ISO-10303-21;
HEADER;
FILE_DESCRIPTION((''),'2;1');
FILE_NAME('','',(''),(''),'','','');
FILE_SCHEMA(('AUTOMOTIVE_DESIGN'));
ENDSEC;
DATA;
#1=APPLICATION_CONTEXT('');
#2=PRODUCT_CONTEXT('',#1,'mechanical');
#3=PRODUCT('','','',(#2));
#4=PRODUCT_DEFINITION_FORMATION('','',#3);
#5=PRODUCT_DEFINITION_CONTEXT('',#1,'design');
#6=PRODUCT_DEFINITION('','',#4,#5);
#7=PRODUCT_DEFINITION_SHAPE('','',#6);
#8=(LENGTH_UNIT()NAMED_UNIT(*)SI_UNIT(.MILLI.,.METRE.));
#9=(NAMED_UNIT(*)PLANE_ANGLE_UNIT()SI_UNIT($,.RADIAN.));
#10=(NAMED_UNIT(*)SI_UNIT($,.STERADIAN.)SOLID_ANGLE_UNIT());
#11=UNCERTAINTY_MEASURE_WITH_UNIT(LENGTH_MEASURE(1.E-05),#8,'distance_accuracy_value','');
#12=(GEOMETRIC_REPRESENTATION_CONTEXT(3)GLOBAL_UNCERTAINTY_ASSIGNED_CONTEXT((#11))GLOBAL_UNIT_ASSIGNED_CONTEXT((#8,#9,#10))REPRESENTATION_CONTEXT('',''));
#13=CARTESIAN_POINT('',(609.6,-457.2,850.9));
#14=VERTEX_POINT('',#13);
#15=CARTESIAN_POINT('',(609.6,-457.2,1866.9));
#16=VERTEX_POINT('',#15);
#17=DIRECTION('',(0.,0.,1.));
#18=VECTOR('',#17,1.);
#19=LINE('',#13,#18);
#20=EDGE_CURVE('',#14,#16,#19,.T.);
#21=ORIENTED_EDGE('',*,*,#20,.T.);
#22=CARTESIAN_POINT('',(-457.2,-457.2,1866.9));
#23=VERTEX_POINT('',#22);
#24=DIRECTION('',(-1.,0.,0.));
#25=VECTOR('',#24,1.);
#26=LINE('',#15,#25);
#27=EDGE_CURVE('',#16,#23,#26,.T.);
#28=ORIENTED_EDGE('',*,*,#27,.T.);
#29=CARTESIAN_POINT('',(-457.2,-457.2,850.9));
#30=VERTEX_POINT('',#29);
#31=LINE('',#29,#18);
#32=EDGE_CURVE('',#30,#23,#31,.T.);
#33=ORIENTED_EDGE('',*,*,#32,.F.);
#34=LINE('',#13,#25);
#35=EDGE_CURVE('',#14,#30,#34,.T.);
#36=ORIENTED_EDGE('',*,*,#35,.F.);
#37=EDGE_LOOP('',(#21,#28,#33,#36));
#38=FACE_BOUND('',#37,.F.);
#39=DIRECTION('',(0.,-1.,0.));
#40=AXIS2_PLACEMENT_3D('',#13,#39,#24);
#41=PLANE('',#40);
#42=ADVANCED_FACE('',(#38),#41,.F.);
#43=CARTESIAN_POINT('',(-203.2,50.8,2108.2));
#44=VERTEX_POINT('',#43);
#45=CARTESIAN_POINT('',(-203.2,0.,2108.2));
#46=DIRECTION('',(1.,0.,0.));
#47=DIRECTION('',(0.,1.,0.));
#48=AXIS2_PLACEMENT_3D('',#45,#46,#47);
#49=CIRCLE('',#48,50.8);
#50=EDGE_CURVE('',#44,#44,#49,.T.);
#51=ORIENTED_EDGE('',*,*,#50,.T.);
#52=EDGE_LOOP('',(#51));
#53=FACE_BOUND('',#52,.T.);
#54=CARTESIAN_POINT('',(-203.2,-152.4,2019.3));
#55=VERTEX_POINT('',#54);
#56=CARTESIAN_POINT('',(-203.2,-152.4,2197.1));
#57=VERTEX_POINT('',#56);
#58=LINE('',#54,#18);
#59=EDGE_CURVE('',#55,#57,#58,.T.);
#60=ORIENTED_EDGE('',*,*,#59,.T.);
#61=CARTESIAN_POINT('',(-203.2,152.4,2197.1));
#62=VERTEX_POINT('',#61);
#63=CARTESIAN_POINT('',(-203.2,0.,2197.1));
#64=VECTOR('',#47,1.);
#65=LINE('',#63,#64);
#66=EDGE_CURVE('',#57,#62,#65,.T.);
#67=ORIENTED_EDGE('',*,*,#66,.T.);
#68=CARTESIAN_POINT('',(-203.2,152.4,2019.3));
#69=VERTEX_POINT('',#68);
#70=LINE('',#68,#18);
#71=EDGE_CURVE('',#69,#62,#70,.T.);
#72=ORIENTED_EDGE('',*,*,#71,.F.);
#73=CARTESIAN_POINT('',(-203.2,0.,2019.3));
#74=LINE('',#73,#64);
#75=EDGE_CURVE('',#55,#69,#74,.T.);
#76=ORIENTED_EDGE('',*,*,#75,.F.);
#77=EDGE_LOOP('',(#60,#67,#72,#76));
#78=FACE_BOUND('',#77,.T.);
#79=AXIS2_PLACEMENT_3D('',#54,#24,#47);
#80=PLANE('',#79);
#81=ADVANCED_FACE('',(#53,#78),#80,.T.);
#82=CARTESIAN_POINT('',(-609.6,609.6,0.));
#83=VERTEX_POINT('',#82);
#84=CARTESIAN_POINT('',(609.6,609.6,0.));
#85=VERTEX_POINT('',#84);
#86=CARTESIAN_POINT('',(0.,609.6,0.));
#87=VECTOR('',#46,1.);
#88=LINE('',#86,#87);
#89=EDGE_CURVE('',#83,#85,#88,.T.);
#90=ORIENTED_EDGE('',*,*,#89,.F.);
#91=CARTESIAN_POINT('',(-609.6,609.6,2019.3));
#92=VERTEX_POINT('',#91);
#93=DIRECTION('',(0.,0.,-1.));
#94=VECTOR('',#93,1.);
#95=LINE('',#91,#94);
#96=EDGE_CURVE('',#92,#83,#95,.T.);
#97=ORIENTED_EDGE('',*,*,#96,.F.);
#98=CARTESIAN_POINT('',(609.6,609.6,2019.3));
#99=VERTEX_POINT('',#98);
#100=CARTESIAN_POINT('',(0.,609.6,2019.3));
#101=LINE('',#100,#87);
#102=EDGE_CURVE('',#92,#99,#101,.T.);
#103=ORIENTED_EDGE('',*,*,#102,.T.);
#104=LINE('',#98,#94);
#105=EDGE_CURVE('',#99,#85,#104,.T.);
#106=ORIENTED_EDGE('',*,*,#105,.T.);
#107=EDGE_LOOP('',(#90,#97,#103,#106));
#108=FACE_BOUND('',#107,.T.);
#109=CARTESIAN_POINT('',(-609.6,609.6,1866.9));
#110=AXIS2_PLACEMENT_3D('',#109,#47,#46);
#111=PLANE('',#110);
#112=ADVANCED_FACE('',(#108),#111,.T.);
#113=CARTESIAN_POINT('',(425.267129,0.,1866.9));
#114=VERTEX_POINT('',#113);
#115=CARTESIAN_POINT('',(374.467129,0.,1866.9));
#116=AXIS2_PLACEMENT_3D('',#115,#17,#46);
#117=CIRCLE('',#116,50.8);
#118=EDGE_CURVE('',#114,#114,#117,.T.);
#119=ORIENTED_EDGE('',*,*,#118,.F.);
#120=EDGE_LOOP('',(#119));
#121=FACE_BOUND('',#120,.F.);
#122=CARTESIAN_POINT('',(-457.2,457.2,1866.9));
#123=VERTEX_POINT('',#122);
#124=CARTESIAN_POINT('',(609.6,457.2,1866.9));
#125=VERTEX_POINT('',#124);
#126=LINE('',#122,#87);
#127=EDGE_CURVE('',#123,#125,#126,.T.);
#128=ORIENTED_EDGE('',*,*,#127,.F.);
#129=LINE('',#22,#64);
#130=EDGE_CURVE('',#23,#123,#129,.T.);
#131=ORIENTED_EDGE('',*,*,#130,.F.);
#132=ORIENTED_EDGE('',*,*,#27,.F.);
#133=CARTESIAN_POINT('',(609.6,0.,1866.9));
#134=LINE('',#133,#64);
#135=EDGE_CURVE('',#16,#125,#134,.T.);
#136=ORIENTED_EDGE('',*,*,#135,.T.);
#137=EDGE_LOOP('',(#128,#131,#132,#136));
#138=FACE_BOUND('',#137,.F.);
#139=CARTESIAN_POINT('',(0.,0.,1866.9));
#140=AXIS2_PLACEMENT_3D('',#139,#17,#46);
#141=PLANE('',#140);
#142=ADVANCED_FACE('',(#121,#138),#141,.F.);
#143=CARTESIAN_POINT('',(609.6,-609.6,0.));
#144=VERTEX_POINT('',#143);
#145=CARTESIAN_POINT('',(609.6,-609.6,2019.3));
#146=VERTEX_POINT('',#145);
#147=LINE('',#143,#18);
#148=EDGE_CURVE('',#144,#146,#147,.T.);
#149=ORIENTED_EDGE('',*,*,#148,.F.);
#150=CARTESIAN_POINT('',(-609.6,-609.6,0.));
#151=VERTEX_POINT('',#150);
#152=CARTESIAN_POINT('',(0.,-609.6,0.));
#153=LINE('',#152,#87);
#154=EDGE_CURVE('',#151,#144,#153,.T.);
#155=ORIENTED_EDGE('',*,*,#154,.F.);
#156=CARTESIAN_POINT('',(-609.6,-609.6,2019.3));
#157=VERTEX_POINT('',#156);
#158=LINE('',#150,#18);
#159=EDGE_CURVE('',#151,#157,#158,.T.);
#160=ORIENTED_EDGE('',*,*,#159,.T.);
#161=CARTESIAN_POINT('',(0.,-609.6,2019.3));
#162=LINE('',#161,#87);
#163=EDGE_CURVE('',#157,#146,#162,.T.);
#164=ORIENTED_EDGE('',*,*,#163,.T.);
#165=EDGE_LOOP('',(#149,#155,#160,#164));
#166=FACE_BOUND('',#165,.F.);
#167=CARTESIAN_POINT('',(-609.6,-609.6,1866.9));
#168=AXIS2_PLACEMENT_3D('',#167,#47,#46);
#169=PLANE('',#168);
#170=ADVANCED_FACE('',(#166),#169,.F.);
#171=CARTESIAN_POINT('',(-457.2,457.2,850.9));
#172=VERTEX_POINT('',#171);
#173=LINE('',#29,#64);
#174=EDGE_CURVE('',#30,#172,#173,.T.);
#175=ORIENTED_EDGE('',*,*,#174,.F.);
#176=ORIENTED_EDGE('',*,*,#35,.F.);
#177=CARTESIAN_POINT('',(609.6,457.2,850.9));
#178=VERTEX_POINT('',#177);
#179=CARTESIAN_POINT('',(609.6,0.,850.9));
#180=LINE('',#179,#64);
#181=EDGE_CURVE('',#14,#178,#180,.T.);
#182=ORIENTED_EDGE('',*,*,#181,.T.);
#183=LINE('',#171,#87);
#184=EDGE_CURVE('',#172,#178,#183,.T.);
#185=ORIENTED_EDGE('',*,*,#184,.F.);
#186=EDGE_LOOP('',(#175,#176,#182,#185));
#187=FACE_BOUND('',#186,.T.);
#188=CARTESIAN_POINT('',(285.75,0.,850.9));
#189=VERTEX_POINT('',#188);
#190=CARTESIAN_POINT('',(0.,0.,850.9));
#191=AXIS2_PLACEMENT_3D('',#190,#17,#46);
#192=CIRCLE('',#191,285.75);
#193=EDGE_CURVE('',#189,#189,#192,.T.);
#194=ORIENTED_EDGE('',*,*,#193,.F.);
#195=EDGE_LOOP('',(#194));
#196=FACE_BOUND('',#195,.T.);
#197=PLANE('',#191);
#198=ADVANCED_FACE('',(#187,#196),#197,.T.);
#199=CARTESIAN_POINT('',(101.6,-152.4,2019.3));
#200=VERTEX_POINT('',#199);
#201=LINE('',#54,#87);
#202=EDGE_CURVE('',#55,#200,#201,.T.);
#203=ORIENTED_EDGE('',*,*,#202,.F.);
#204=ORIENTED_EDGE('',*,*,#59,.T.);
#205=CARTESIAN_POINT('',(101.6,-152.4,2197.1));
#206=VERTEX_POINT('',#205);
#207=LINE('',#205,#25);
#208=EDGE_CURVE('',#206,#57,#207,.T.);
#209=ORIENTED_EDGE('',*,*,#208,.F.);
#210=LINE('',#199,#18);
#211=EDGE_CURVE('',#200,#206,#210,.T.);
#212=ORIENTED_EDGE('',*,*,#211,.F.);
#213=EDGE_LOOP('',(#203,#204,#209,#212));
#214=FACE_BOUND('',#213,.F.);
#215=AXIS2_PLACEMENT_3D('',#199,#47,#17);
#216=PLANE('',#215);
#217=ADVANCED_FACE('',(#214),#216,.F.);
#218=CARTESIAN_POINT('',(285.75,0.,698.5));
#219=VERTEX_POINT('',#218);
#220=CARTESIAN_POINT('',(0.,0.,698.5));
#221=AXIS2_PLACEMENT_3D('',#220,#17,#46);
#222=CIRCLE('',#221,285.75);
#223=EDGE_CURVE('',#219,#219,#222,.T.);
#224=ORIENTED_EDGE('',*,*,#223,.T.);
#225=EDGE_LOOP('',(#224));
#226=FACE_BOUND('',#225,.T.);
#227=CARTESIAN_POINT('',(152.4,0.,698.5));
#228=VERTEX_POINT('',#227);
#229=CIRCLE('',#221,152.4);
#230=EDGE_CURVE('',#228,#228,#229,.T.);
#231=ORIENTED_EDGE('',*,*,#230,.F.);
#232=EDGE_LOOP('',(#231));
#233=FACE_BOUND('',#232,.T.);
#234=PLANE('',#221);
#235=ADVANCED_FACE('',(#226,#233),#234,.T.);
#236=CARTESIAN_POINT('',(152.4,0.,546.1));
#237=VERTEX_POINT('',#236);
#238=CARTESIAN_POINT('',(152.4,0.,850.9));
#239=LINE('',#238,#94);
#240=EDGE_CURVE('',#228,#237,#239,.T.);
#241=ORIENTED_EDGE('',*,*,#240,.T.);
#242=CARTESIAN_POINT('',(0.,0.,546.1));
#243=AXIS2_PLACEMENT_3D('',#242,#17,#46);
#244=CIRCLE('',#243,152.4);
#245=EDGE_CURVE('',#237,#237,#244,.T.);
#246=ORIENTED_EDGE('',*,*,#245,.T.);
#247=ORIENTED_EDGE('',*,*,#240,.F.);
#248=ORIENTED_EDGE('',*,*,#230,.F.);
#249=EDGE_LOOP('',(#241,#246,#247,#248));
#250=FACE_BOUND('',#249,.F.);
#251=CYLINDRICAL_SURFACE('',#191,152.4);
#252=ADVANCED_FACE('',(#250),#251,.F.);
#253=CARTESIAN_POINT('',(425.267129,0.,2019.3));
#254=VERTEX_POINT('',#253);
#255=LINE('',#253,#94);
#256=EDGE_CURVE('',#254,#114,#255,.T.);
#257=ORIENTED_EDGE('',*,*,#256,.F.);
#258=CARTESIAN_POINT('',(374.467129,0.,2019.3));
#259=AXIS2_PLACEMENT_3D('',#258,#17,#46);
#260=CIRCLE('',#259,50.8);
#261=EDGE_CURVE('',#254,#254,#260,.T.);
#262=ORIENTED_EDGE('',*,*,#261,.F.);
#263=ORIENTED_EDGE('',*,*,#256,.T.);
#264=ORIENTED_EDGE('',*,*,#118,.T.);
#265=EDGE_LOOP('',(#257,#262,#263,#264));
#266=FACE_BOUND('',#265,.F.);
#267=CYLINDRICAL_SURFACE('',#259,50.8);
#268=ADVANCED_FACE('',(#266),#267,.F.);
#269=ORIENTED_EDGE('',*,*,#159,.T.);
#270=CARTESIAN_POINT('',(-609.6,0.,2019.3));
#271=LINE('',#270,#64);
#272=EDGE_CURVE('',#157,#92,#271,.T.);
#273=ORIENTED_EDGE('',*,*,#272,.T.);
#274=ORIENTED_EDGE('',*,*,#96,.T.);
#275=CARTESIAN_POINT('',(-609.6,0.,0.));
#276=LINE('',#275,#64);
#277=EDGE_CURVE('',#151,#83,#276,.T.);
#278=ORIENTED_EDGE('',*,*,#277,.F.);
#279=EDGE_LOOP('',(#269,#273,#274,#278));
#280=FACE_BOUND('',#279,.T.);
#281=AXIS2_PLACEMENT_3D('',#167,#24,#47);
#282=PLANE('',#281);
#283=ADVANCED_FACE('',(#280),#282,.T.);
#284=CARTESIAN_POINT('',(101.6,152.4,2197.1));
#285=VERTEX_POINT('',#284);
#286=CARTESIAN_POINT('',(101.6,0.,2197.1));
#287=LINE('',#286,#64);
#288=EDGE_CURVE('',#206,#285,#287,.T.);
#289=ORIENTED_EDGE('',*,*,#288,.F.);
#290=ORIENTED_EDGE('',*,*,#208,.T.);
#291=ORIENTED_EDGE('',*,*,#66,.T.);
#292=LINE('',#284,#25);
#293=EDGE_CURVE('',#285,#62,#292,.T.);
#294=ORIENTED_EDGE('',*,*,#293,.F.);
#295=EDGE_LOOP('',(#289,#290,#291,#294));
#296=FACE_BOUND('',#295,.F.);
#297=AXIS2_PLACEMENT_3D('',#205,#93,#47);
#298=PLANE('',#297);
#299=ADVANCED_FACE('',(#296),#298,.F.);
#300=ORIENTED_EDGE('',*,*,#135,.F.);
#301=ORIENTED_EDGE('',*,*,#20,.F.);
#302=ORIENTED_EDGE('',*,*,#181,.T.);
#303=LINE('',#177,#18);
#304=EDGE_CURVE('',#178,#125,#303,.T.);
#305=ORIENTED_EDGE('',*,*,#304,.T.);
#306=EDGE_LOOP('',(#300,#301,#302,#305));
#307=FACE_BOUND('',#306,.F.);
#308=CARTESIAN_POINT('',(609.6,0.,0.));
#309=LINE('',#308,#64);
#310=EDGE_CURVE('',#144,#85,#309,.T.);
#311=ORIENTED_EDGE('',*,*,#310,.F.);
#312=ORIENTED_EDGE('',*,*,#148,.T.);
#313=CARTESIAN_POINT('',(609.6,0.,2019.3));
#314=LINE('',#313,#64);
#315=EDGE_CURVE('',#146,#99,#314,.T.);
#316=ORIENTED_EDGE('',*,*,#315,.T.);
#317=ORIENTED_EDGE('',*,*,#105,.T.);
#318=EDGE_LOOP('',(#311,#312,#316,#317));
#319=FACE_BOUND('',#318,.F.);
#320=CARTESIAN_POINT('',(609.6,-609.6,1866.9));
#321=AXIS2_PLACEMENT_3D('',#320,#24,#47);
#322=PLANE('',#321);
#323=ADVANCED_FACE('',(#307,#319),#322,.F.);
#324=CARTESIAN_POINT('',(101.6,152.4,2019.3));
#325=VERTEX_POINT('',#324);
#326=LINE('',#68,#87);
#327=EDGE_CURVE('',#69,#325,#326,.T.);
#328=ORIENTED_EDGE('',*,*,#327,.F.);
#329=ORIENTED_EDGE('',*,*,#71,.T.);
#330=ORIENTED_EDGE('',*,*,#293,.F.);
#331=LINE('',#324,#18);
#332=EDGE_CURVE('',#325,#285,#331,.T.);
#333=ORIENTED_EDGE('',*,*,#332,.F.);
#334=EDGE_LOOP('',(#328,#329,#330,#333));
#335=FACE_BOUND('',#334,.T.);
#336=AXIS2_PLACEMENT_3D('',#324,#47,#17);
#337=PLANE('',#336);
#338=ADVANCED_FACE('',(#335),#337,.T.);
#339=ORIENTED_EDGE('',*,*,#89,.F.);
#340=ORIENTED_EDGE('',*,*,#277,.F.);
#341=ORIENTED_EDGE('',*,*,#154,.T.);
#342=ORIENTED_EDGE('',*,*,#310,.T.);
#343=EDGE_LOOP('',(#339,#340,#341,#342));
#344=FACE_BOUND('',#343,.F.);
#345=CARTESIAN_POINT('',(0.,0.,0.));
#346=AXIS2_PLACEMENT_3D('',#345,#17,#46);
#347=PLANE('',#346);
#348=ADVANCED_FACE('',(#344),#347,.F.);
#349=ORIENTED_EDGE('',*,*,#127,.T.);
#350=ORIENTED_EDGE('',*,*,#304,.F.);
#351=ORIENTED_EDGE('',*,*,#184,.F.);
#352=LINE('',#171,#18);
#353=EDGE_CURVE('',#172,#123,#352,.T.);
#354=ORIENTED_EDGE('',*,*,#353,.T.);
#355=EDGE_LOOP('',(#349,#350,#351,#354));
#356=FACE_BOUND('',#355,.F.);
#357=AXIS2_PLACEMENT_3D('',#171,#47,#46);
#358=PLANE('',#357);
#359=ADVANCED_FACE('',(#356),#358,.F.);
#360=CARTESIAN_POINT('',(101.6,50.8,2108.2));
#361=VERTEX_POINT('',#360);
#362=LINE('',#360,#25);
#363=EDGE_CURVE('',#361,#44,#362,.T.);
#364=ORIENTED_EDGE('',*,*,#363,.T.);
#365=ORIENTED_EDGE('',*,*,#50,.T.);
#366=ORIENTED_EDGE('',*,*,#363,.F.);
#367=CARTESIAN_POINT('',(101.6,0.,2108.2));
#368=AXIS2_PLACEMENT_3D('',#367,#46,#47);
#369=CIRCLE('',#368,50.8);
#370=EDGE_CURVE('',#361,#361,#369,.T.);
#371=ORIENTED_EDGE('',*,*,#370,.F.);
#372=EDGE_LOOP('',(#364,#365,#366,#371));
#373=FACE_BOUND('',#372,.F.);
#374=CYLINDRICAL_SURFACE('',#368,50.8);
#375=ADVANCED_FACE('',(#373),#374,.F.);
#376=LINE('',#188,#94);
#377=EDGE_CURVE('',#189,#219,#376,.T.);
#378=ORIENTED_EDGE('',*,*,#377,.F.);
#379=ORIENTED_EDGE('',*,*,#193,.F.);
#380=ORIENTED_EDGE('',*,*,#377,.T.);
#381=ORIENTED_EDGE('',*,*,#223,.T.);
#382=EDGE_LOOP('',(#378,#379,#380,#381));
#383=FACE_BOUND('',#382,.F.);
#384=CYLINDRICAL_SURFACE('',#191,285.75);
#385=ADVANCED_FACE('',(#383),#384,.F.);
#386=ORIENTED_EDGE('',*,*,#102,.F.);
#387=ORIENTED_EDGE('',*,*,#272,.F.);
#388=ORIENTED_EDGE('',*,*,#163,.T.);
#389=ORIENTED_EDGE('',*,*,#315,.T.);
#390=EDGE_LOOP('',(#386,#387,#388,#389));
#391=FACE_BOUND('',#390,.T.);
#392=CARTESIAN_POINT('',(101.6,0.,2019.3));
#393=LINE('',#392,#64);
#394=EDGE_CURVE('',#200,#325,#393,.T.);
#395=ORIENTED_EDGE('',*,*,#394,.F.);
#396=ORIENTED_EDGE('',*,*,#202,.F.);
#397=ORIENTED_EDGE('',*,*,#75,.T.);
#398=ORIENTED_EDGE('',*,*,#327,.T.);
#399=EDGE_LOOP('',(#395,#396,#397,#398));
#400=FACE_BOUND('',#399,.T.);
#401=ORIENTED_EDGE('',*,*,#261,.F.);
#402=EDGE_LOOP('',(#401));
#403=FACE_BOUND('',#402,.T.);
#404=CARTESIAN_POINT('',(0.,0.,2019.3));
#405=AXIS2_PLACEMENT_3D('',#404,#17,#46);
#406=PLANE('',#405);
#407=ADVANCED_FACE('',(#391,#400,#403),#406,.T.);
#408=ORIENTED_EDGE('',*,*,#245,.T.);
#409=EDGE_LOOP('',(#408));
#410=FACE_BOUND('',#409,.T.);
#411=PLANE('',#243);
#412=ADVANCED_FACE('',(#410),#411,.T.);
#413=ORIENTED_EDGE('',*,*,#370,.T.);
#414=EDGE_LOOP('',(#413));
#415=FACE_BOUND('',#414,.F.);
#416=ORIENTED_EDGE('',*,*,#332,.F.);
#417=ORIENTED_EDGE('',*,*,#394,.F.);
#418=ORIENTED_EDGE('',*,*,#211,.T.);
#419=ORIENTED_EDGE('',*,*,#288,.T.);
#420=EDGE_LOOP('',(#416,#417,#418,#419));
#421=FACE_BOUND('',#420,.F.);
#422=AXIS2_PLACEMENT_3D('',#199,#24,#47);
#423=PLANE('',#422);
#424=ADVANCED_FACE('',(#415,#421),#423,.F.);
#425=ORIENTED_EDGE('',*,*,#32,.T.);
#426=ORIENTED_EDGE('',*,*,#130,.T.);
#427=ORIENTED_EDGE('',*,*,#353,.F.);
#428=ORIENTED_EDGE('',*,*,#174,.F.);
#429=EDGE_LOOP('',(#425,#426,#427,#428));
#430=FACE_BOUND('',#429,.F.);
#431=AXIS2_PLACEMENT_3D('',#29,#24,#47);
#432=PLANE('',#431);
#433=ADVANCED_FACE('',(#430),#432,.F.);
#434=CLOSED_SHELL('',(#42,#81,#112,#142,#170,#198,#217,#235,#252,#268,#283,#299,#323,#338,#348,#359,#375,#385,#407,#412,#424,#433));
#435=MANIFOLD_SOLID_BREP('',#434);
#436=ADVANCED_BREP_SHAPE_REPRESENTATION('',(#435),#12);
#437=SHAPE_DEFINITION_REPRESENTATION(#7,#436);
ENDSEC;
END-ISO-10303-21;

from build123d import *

# Parameters (mm, degrees)
F0_W      = 1219.2
F0_H      = 1219.2
F1_DEPTH  = 850.9
F2_R      = 152.4
F3_DEPTH  = 304.8
F4_R      = 285.75
F5_DEPTH  = 152.4
F7_DEPTH  = 1016
F8_W      = 1219.2
F8_H      = 1219.2
F9_DEPTH  = 152.4
F10_W     = 203.2
F10_H     = 304.8
F11_DEPTH = 177.8
F12_R     = 50.8
F13_DEPTH = 622.3
F15_DEPTH = 304.8
F16_R     = 50.8
F17_DEPTH = 304.8


with BuildPart() as f1:
    # F0 (on Top) → F1 (new body)
    with BuildSketch(Plane.XY):
        Rectangle(F0_W, F0_H)
    extrude(amount=F1_DEPTH)

    # F2 (on face) → F3 (cut)
    with BuildSketch(Plane.XY.offset(850.9)):
        Circle(F2_R)
    extrude(amount=-F3_DEPTH, mode=Mode.SUBTRACT)

    # F4 (on face) → F5 (cut)
    with BuildSketch(Plane.XY.offset(850.9)):
        Circle(F4_R)
    extrude(amount=-F5_DEPTH, mode=Mode.SUBTRACT)

    # F6 (on face) → F7 (join)
    with BuildSketch(Plane.XY.offset(850.9)):
        Polygon((-609.6, -609.6), (609.6, -609.6), (609.6, -457.2), (-457.2, -457.2), (-457.2, 457.2), (609.6, 457.2), (609.6, 609.6), (-609.6, 609.6), align=None)
    extrude(amount=F7_DEPTH)

    # F8 (on face) → F9 (join)
    with BuildSketch(Plane.XY.offset(1866.9)):
        Rectangle(F8_W, F8_H)
    extrude(amount=F9_DEPTH)

    # F10 (on face) → F11 (join)
    with BuildSketch(Plane.XY.offset(2019.3)):
        Rectangle(F10_W, F10_H)
    extrude(amount=F11_DEPTH)

    # F12 (on face) → F13 (cut)
    with BuildSketch(Plane.YZ.offset(101.6)):
        with Locations((0, 2108.2)):
            Circle(F12_R)
    extrude(amount=-F13_DEPTH, mode=Mode.SUBTRACT)

    # F15 (add): a face of the model
    f15_faces = [f1.faces().sort_by_distance(p)[0] for p in [
        (101.6, -148.8713192267, 2108.2),
    ]]
    extrude(f15_faces, amount=-F15_DEPTH)

    # F16 (on face) → F17 (cut)
    with BuildSketch(Plane.XY.offset(2019.3)):
        with Locations((374.4671290531, 0)):
            Circle(F16_R)
    extrude(amount=-F17_DEPTH, mode=Mode.SUBTRACT)


solid = f1.part
